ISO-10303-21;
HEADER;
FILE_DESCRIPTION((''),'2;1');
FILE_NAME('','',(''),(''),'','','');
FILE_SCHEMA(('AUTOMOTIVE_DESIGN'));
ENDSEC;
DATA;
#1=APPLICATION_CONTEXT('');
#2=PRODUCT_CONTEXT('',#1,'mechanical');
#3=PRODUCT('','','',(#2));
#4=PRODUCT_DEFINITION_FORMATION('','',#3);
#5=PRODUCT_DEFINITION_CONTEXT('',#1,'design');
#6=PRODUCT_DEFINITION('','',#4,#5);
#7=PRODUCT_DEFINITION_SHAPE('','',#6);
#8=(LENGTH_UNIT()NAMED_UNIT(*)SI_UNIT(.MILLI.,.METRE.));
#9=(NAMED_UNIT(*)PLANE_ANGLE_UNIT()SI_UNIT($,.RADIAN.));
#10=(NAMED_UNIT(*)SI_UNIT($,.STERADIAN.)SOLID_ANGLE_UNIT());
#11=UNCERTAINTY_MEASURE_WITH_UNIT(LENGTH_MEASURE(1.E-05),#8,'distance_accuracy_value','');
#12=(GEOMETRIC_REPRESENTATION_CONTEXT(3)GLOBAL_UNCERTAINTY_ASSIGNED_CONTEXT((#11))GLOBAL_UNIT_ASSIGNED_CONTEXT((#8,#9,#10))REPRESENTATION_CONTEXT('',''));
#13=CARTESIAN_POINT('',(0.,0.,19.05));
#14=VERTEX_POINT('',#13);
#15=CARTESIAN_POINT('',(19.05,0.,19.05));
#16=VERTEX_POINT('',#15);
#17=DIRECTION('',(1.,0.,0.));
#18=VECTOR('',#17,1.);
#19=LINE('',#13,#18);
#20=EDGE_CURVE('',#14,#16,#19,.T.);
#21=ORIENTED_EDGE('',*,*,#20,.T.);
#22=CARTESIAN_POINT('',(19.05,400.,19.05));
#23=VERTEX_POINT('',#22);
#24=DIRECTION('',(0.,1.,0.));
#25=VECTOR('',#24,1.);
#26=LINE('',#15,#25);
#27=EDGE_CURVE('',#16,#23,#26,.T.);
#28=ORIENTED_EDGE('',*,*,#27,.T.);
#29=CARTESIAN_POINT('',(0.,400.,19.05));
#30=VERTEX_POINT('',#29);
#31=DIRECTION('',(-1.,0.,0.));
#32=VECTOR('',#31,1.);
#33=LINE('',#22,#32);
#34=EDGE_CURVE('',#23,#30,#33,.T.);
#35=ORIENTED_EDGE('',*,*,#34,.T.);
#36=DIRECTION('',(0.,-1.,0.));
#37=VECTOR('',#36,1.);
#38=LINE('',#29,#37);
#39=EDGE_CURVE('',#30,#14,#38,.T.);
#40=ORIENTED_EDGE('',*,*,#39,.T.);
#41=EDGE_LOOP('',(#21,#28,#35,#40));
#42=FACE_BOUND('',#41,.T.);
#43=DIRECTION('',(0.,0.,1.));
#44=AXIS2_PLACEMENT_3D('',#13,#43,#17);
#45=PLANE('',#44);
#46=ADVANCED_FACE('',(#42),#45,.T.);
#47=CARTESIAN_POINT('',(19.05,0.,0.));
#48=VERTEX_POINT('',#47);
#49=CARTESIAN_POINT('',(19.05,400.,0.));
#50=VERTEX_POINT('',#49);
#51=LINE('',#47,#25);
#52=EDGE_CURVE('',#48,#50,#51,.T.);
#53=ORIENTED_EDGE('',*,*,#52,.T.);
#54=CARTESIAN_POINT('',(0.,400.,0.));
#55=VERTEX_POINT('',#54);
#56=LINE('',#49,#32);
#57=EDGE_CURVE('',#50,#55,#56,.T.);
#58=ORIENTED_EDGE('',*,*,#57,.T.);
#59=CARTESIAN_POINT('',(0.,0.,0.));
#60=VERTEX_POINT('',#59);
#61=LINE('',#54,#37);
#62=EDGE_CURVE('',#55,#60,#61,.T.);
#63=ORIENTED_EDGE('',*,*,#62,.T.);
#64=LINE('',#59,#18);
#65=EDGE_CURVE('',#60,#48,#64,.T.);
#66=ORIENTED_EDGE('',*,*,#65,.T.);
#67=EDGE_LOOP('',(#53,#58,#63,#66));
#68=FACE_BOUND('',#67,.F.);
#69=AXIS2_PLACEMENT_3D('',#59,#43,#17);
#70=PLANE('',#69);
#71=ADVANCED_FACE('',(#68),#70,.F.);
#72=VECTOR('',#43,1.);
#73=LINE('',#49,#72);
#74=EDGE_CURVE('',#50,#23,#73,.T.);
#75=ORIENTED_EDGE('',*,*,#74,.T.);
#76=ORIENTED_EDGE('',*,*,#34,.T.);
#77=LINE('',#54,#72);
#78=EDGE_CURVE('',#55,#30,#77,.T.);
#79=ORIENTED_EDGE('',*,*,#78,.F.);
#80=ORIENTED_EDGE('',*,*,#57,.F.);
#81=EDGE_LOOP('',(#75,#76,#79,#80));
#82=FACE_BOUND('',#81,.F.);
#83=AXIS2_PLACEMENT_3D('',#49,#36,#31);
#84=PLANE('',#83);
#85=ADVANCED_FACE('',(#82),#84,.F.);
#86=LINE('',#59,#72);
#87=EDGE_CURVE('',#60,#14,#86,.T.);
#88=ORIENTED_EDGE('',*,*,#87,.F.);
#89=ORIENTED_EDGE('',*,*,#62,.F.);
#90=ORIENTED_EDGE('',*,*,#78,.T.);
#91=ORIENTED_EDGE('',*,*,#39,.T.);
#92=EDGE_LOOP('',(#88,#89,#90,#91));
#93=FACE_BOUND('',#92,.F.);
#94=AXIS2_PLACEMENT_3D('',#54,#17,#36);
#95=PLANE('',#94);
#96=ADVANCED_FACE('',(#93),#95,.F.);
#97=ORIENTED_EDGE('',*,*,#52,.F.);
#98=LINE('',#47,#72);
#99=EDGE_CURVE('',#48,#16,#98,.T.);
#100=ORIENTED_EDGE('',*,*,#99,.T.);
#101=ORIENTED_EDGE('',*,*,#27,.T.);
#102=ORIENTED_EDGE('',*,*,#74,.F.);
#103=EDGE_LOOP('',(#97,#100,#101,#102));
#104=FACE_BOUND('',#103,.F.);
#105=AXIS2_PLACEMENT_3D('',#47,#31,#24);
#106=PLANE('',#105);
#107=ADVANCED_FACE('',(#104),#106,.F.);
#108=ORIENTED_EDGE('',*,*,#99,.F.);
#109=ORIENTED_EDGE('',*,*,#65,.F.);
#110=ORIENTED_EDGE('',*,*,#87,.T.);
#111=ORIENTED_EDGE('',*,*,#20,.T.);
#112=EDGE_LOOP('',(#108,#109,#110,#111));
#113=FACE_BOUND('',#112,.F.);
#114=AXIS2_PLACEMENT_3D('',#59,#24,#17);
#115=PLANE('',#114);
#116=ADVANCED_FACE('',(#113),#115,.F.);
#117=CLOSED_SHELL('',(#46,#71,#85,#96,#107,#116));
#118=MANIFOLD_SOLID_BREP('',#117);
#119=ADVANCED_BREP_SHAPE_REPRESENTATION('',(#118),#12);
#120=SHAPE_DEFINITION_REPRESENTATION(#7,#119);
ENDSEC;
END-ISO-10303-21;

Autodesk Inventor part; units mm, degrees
ref_plane "YZ Plane" through (0, 0, 0) normal (1, 0, 0) x (0, 1, 0)
ref_plane "XZ Plane" through (0, 0, 0) normal (0, 1, 0) x (-1, 0, 0)
ref_plane "XY Plane" through (0, 0, 0) normal (0, 0, 1) x (1, 0, 0)
sketch "Sketch1" plane through (0, 0, 0) normal (0, 0, 1) x (1, 0, 0)
  line L0 (0, 0) -> (19.05, 0)
  line L1 (19.05, 0) -> (19.05, 400)
  line L2 (19.05, 400) -> (0, 400)
  line L3 (0, 400) -> (0, 0)
  dimension "d0" = 19.05
  dimension "d1" = 400
extrude "Extrusion1" add sketch "Sketch1" along normal blind 19.05
properties part number "C003" material "Wood (Birch)"
